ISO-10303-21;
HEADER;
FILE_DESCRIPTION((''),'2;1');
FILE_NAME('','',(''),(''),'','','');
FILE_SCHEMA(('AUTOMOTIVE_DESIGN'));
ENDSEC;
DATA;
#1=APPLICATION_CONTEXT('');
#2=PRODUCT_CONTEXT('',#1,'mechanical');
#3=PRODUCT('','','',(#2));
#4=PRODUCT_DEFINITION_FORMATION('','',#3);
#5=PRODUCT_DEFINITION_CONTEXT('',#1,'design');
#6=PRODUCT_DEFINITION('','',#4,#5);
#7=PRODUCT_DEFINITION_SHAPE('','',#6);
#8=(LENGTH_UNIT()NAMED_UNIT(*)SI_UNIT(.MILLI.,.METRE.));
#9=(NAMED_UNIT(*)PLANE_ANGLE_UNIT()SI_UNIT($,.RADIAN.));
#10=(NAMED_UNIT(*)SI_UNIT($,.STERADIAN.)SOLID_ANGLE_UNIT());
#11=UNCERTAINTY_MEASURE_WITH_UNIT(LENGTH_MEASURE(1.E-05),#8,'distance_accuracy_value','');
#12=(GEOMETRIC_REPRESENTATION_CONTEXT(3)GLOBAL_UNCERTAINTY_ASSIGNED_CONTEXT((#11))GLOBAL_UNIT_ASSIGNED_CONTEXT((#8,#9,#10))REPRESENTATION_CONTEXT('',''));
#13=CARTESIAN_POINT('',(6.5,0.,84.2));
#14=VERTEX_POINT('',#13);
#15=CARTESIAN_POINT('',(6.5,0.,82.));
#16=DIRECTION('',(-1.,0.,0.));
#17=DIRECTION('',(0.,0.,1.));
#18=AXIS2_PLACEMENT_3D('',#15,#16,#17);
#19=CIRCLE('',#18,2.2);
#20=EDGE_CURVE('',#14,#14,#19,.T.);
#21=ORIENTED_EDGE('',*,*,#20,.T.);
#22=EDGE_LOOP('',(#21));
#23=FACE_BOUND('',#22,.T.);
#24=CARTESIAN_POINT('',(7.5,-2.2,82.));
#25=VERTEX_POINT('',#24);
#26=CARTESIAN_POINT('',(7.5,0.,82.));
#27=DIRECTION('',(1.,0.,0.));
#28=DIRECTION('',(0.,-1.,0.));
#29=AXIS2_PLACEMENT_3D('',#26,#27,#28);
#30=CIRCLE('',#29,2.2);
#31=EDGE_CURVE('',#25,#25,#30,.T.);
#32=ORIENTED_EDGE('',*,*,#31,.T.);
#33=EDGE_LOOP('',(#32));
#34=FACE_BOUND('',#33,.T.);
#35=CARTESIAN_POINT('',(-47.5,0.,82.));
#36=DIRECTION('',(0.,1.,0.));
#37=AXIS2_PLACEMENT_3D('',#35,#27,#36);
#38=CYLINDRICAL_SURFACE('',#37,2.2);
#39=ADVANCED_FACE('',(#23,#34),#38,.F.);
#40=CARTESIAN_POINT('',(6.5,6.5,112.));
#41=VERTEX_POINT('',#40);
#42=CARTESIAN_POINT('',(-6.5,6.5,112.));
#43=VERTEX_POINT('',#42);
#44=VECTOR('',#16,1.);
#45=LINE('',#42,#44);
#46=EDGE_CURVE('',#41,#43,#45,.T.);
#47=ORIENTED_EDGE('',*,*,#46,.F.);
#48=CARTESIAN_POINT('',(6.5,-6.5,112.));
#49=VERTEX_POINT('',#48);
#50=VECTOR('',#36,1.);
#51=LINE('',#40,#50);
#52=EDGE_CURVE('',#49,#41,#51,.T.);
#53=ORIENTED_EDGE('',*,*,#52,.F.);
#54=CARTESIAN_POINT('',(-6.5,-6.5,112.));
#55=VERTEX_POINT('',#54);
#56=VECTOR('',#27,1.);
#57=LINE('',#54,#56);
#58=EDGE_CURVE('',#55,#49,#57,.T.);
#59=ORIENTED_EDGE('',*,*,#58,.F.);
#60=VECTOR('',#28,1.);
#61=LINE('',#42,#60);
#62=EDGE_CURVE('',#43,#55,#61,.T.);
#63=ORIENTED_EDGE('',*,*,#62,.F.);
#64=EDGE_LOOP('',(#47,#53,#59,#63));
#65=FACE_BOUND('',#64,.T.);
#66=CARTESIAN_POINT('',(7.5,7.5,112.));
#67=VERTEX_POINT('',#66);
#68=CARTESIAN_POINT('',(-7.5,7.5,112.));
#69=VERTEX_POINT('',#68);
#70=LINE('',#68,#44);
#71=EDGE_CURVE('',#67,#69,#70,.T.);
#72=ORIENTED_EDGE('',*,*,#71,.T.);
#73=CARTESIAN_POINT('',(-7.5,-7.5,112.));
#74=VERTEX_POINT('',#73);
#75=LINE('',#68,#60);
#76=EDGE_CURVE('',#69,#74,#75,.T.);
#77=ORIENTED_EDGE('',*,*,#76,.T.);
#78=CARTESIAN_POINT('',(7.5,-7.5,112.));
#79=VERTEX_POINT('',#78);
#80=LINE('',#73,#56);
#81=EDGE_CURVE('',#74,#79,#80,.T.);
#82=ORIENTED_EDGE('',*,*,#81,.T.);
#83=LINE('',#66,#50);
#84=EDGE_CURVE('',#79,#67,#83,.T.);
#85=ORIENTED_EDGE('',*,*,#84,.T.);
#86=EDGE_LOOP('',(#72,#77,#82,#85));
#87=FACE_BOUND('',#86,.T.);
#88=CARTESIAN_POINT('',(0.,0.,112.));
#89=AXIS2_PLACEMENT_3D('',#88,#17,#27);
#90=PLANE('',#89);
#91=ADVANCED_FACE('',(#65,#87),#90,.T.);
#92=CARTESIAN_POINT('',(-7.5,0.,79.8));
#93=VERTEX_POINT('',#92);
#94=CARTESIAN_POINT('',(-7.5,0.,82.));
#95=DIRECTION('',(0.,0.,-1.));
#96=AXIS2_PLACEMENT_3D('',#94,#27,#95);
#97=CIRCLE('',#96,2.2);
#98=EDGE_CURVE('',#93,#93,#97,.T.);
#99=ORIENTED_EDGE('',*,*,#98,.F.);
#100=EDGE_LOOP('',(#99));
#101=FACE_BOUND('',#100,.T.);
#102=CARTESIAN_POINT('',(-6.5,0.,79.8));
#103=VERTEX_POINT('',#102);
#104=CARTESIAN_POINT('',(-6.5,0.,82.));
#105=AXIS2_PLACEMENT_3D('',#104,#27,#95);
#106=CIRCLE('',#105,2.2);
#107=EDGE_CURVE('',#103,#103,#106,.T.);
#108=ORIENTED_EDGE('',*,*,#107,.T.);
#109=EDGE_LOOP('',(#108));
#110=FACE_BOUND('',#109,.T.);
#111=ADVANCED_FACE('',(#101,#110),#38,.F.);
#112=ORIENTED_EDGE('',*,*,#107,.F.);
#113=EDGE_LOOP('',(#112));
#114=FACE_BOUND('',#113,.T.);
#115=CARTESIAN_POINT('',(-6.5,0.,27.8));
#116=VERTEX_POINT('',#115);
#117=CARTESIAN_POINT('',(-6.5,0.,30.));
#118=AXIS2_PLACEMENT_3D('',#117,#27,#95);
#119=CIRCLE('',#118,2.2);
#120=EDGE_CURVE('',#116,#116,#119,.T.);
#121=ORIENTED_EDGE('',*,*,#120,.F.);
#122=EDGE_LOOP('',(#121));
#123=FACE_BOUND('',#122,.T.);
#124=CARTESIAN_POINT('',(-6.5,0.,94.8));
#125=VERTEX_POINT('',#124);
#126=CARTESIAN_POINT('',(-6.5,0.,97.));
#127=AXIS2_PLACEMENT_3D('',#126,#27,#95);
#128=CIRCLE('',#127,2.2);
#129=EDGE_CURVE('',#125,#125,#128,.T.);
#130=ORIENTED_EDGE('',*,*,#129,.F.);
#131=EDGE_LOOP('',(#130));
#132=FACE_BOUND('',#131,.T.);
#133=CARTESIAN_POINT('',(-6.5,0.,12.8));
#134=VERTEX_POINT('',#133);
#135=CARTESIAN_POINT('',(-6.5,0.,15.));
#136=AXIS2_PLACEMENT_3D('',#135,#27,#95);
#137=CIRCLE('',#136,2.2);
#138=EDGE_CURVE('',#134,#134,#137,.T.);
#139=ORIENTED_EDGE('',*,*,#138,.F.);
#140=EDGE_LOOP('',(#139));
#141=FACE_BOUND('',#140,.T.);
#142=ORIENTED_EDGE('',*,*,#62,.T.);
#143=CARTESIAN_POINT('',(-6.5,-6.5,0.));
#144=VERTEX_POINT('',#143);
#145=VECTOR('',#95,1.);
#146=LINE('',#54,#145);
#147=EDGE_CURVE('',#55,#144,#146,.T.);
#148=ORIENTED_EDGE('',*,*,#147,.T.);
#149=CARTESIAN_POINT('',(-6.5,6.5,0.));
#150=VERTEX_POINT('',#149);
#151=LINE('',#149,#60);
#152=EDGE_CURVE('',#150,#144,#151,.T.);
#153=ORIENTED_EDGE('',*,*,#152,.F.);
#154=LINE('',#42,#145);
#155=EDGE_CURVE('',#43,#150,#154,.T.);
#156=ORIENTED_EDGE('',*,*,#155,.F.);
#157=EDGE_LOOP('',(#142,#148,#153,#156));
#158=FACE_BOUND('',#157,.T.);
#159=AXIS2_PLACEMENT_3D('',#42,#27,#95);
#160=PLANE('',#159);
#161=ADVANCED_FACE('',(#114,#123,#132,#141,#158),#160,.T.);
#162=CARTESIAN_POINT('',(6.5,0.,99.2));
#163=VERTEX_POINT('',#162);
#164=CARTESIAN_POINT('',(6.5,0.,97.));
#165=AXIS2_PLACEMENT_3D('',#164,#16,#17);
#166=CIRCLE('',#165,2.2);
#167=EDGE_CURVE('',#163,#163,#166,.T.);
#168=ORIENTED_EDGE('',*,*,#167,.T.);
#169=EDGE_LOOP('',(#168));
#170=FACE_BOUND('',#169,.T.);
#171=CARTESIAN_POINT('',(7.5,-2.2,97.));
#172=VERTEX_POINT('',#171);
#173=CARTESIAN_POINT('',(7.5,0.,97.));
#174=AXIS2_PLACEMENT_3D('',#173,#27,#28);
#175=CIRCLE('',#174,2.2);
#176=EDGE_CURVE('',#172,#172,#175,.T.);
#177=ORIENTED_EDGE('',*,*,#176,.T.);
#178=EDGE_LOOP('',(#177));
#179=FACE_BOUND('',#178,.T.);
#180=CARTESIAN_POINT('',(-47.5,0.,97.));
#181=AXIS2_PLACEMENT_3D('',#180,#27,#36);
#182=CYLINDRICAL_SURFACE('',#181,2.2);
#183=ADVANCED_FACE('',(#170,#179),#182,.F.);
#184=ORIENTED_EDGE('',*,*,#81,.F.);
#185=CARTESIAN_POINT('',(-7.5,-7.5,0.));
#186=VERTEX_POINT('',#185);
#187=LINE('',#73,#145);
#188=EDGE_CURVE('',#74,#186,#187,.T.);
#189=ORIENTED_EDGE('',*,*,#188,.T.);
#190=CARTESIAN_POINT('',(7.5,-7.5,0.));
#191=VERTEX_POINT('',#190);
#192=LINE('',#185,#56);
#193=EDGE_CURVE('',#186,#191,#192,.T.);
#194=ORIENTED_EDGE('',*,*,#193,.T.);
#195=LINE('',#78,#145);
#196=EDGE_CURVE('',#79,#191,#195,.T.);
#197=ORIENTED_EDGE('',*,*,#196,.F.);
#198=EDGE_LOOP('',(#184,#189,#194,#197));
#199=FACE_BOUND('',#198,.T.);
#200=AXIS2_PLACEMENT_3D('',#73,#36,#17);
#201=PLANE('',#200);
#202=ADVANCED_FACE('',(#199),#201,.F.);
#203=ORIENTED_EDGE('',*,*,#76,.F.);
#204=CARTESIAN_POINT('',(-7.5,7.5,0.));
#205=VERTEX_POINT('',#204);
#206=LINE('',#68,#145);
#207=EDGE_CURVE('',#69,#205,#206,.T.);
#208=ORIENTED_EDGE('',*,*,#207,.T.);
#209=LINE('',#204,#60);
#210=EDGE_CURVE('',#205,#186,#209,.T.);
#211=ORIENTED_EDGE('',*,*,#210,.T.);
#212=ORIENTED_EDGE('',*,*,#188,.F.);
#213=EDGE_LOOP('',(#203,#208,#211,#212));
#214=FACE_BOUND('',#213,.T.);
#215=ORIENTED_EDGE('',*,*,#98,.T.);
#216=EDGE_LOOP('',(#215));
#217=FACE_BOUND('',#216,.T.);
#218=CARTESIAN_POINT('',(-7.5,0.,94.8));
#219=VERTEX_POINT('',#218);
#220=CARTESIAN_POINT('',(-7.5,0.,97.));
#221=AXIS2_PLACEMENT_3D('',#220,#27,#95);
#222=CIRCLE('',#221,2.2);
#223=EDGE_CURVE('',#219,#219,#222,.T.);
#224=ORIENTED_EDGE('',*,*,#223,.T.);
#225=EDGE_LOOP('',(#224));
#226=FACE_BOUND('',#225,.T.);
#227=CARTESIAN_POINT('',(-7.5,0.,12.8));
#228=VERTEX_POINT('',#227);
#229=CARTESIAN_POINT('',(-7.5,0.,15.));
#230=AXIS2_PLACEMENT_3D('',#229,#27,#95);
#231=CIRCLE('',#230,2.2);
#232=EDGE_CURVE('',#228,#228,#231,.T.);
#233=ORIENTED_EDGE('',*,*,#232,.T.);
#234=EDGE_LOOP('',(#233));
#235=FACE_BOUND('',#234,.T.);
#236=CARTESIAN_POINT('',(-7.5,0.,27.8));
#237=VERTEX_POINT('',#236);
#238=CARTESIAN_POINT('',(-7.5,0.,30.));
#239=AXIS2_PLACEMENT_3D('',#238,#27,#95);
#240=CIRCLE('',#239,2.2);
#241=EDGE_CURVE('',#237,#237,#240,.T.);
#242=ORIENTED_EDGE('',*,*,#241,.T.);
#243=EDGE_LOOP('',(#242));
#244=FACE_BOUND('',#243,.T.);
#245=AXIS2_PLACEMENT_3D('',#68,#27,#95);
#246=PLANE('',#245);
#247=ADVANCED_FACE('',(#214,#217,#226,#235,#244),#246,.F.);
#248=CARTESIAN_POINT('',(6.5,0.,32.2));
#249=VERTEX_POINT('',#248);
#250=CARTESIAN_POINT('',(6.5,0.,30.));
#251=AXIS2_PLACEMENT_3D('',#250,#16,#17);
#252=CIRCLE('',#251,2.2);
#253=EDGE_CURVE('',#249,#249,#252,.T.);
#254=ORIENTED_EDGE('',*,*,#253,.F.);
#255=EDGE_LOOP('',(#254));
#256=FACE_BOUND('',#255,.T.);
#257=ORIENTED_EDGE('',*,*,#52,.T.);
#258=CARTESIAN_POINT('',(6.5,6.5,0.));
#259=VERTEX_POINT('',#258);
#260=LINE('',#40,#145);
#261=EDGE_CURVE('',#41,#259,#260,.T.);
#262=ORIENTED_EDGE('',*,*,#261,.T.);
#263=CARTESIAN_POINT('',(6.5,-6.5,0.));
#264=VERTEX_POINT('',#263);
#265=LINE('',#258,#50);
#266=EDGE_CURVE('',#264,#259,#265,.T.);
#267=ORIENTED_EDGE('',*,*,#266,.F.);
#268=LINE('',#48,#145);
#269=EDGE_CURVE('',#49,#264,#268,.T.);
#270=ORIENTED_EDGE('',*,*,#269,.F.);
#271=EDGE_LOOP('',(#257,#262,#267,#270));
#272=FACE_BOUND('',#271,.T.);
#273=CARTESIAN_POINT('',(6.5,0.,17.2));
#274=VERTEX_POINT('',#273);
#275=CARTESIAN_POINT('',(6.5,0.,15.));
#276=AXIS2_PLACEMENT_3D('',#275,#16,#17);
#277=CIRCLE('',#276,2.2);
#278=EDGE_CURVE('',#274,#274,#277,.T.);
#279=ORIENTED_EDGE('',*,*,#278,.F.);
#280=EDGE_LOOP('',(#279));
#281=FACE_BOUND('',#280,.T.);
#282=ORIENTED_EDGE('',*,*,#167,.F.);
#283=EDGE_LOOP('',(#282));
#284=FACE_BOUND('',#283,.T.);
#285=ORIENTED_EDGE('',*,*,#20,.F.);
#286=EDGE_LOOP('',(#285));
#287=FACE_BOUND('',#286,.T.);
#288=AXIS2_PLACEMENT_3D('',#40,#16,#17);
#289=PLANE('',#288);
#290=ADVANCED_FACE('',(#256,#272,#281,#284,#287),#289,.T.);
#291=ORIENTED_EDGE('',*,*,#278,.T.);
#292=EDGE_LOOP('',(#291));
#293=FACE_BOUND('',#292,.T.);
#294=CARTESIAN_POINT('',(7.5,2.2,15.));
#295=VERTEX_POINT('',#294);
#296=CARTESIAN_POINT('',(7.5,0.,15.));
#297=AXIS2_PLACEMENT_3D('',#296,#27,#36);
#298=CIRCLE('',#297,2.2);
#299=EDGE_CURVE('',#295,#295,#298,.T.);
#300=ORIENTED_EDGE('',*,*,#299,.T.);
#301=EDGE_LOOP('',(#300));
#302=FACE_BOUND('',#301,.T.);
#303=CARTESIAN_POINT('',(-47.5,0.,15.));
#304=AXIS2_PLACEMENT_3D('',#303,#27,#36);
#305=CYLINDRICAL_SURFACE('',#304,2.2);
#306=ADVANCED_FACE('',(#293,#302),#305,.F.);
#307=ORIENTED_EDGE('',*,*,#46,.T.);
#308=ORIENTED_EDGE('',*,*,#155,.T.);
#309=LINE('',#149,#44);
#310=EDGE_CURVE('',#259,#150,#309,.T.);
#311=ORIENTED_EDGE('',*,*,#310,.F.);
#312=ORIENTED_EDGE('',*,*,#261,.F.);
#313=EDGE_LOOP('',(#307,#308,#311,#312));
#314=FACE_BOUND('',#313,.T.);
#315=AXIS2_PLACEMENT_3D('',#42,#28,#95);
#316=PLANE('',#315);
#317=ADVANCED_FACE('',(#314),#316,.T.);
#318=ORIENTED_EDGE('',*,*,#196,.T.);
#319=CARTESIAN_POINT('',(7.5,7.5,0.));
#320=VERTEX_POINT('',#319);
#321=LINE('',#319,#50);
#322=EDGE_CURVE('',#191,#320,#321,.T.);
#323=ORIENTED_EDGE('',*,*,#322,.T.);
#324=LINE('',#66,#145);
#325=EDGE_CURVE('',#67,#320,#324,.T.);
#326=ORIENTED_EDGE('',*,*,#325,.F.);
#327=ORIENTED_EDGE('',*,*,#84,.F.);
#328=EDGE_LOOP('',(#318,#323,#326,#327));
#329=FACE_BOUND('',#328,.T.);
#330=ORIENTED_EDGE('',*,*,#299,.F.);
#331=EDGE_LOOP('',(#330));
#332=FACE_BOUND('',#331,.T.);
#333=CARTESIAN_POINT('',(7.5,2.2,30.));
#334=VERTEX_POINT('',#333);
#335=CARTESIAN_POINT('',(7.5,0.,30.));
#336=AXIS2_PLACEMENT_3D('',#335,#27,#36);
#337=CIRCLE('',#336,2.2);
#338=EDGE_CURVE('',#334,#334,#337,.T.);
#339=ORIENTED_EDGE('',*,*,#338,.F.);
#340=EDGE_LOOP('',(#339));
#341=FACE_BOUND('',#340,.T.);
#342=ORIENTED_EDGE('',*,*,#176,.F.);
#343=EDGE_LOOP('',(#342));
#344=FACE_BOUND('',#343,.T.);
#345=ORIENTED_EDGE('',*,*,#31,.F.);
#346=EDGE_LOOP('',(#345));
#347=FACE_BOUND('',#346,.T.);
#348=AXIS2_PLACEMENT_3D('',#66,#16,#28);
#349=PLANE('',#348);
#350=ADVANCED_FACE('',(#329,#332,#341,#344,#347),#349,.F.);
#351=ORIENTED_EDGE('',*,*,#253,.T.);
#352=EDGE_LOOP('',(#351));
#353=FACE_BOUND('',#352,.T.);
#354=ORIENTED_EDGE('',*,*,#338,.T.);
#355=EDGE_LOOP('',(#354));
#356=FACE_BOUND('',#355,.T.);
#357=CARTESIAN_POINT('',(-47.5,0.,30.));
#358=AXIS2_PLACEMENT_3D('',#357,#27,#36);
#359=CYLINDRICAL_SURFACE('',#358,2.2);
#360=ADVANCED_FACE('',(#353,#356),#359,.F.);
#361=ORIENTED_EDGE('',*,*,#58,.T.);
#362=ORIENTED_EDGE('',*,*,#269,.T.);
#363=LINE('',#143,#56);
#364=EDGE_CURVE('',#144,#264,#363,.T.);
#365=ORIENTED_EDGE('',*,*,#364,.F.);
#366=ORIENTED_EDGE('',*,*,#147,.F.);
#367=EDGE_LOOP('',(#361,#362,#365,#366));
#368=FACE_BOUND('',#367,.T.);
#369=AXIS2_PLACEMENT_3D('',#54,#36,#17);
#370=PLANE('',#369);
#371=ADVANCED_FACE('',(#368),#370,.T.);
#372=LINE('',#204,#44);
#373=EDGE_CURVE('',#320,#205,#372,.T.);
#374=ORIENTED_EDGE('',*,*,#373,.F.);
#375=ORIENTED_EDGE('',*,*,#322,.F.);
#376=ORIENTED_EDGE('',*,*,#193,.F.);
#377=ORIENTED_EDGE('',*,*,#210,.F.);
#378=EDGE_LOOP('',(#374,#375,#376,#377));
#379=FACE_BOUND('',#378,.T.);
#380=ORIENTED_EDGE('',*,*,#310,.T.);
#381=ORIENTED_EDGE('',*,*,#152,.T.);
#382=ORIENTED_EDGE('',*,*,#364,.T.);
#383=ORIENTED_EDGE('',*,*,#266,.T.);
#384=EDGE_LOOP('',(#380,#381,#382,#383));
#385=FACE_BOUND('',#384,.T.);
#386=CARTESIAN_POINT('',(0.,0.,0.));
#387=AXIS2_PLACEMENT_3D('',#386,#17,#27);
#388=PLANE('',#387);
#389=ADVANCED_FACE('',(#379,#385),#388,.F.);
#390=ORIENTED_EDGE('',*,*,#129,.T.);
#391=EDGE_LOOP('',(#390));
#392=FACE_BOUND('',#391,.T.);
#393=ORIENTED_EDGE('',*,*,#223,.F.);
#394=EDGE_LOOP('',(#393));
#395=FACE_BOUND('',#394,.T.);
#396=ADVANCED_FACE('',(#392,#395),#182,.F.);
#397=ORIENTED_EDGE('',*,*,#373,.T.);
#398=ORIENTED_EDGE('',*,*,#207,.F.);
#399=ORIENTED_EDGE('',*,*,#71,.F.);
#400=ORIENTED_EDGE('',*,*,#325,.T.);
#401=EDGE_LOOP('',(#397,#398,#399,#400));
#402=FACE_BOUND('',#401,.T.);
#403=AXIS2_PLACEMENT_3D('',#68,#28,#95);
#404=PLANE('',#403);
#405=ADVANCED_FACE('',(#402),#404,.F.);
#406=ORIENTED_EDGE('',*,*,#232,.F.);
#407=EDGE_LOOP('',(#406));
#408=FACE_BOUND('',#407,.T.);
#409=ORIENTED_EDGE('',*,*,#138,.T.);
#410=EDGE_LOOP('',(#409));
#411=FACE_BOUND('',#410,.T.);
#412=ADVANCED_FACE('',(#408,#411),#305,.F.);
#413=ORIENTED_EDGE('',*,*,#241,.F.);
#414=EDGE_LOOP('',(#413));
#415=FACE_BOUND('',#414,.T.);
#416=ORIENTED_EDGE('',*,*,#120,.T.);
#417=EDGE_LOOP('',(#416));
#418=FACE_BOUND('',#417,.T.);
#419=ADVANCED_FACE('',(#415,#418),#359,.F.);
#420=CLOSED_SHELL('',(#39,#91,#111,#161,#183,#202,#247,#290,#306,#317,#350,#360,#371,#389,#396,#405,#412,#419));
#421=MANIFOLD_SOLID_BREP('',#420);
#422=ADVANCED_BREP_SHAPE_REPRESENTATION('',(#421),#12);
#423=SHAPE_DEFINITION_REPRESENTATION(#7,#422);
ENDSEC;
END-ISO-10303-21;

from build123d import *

# Parameters (mm, degrees)
SKETCH_1_W          = 15
SKETCH_1_H          = 15
SKETCH_1_W_2        = 13
SKETCH_1_H_2        = 13
EXTRUDE_1_DEPTH     = 112
SKETCH_3_R          = 2.2
CUT_EXTRUDE_1_DEPTH = 55


with BuildPart() as part:
    # 草图1 → 凸台-拉伸1 (new body)
    with BuildSketch(Plane.XY):
        Rectangle(SKETCH_1_W, SKETCH_1_H)
        Rectangle(SKETCH_1_W_2, SKETCH_1_H_2, mode=Mode.SUBTRACT)
    extrude(amount=EXTRUDE_1_DEPTH)

    # 草图3 → 切除-拉伸1 (cut)
    with BuildSketch(Plane(origin=(7.5, 0, 0), x_dir=(0, 0, -1), z_dir=(1, 0, 0))):
        with Locations((-15, 0)):
            Circle(SKETCH_3_R)
        with Locations((-30, 0)):
            Circle(SKETCH_3_R)
        with Locations((-97, 0)):
            Circle(SKETCH_3_R)
        with Locations((-82, 0)):
            Circle(SKETCH_3_R)
    extrude(amount=-CUT_EXTRUDE_1_DEPTH, mode=Mode.SUBTRACT)


solid = part.part
